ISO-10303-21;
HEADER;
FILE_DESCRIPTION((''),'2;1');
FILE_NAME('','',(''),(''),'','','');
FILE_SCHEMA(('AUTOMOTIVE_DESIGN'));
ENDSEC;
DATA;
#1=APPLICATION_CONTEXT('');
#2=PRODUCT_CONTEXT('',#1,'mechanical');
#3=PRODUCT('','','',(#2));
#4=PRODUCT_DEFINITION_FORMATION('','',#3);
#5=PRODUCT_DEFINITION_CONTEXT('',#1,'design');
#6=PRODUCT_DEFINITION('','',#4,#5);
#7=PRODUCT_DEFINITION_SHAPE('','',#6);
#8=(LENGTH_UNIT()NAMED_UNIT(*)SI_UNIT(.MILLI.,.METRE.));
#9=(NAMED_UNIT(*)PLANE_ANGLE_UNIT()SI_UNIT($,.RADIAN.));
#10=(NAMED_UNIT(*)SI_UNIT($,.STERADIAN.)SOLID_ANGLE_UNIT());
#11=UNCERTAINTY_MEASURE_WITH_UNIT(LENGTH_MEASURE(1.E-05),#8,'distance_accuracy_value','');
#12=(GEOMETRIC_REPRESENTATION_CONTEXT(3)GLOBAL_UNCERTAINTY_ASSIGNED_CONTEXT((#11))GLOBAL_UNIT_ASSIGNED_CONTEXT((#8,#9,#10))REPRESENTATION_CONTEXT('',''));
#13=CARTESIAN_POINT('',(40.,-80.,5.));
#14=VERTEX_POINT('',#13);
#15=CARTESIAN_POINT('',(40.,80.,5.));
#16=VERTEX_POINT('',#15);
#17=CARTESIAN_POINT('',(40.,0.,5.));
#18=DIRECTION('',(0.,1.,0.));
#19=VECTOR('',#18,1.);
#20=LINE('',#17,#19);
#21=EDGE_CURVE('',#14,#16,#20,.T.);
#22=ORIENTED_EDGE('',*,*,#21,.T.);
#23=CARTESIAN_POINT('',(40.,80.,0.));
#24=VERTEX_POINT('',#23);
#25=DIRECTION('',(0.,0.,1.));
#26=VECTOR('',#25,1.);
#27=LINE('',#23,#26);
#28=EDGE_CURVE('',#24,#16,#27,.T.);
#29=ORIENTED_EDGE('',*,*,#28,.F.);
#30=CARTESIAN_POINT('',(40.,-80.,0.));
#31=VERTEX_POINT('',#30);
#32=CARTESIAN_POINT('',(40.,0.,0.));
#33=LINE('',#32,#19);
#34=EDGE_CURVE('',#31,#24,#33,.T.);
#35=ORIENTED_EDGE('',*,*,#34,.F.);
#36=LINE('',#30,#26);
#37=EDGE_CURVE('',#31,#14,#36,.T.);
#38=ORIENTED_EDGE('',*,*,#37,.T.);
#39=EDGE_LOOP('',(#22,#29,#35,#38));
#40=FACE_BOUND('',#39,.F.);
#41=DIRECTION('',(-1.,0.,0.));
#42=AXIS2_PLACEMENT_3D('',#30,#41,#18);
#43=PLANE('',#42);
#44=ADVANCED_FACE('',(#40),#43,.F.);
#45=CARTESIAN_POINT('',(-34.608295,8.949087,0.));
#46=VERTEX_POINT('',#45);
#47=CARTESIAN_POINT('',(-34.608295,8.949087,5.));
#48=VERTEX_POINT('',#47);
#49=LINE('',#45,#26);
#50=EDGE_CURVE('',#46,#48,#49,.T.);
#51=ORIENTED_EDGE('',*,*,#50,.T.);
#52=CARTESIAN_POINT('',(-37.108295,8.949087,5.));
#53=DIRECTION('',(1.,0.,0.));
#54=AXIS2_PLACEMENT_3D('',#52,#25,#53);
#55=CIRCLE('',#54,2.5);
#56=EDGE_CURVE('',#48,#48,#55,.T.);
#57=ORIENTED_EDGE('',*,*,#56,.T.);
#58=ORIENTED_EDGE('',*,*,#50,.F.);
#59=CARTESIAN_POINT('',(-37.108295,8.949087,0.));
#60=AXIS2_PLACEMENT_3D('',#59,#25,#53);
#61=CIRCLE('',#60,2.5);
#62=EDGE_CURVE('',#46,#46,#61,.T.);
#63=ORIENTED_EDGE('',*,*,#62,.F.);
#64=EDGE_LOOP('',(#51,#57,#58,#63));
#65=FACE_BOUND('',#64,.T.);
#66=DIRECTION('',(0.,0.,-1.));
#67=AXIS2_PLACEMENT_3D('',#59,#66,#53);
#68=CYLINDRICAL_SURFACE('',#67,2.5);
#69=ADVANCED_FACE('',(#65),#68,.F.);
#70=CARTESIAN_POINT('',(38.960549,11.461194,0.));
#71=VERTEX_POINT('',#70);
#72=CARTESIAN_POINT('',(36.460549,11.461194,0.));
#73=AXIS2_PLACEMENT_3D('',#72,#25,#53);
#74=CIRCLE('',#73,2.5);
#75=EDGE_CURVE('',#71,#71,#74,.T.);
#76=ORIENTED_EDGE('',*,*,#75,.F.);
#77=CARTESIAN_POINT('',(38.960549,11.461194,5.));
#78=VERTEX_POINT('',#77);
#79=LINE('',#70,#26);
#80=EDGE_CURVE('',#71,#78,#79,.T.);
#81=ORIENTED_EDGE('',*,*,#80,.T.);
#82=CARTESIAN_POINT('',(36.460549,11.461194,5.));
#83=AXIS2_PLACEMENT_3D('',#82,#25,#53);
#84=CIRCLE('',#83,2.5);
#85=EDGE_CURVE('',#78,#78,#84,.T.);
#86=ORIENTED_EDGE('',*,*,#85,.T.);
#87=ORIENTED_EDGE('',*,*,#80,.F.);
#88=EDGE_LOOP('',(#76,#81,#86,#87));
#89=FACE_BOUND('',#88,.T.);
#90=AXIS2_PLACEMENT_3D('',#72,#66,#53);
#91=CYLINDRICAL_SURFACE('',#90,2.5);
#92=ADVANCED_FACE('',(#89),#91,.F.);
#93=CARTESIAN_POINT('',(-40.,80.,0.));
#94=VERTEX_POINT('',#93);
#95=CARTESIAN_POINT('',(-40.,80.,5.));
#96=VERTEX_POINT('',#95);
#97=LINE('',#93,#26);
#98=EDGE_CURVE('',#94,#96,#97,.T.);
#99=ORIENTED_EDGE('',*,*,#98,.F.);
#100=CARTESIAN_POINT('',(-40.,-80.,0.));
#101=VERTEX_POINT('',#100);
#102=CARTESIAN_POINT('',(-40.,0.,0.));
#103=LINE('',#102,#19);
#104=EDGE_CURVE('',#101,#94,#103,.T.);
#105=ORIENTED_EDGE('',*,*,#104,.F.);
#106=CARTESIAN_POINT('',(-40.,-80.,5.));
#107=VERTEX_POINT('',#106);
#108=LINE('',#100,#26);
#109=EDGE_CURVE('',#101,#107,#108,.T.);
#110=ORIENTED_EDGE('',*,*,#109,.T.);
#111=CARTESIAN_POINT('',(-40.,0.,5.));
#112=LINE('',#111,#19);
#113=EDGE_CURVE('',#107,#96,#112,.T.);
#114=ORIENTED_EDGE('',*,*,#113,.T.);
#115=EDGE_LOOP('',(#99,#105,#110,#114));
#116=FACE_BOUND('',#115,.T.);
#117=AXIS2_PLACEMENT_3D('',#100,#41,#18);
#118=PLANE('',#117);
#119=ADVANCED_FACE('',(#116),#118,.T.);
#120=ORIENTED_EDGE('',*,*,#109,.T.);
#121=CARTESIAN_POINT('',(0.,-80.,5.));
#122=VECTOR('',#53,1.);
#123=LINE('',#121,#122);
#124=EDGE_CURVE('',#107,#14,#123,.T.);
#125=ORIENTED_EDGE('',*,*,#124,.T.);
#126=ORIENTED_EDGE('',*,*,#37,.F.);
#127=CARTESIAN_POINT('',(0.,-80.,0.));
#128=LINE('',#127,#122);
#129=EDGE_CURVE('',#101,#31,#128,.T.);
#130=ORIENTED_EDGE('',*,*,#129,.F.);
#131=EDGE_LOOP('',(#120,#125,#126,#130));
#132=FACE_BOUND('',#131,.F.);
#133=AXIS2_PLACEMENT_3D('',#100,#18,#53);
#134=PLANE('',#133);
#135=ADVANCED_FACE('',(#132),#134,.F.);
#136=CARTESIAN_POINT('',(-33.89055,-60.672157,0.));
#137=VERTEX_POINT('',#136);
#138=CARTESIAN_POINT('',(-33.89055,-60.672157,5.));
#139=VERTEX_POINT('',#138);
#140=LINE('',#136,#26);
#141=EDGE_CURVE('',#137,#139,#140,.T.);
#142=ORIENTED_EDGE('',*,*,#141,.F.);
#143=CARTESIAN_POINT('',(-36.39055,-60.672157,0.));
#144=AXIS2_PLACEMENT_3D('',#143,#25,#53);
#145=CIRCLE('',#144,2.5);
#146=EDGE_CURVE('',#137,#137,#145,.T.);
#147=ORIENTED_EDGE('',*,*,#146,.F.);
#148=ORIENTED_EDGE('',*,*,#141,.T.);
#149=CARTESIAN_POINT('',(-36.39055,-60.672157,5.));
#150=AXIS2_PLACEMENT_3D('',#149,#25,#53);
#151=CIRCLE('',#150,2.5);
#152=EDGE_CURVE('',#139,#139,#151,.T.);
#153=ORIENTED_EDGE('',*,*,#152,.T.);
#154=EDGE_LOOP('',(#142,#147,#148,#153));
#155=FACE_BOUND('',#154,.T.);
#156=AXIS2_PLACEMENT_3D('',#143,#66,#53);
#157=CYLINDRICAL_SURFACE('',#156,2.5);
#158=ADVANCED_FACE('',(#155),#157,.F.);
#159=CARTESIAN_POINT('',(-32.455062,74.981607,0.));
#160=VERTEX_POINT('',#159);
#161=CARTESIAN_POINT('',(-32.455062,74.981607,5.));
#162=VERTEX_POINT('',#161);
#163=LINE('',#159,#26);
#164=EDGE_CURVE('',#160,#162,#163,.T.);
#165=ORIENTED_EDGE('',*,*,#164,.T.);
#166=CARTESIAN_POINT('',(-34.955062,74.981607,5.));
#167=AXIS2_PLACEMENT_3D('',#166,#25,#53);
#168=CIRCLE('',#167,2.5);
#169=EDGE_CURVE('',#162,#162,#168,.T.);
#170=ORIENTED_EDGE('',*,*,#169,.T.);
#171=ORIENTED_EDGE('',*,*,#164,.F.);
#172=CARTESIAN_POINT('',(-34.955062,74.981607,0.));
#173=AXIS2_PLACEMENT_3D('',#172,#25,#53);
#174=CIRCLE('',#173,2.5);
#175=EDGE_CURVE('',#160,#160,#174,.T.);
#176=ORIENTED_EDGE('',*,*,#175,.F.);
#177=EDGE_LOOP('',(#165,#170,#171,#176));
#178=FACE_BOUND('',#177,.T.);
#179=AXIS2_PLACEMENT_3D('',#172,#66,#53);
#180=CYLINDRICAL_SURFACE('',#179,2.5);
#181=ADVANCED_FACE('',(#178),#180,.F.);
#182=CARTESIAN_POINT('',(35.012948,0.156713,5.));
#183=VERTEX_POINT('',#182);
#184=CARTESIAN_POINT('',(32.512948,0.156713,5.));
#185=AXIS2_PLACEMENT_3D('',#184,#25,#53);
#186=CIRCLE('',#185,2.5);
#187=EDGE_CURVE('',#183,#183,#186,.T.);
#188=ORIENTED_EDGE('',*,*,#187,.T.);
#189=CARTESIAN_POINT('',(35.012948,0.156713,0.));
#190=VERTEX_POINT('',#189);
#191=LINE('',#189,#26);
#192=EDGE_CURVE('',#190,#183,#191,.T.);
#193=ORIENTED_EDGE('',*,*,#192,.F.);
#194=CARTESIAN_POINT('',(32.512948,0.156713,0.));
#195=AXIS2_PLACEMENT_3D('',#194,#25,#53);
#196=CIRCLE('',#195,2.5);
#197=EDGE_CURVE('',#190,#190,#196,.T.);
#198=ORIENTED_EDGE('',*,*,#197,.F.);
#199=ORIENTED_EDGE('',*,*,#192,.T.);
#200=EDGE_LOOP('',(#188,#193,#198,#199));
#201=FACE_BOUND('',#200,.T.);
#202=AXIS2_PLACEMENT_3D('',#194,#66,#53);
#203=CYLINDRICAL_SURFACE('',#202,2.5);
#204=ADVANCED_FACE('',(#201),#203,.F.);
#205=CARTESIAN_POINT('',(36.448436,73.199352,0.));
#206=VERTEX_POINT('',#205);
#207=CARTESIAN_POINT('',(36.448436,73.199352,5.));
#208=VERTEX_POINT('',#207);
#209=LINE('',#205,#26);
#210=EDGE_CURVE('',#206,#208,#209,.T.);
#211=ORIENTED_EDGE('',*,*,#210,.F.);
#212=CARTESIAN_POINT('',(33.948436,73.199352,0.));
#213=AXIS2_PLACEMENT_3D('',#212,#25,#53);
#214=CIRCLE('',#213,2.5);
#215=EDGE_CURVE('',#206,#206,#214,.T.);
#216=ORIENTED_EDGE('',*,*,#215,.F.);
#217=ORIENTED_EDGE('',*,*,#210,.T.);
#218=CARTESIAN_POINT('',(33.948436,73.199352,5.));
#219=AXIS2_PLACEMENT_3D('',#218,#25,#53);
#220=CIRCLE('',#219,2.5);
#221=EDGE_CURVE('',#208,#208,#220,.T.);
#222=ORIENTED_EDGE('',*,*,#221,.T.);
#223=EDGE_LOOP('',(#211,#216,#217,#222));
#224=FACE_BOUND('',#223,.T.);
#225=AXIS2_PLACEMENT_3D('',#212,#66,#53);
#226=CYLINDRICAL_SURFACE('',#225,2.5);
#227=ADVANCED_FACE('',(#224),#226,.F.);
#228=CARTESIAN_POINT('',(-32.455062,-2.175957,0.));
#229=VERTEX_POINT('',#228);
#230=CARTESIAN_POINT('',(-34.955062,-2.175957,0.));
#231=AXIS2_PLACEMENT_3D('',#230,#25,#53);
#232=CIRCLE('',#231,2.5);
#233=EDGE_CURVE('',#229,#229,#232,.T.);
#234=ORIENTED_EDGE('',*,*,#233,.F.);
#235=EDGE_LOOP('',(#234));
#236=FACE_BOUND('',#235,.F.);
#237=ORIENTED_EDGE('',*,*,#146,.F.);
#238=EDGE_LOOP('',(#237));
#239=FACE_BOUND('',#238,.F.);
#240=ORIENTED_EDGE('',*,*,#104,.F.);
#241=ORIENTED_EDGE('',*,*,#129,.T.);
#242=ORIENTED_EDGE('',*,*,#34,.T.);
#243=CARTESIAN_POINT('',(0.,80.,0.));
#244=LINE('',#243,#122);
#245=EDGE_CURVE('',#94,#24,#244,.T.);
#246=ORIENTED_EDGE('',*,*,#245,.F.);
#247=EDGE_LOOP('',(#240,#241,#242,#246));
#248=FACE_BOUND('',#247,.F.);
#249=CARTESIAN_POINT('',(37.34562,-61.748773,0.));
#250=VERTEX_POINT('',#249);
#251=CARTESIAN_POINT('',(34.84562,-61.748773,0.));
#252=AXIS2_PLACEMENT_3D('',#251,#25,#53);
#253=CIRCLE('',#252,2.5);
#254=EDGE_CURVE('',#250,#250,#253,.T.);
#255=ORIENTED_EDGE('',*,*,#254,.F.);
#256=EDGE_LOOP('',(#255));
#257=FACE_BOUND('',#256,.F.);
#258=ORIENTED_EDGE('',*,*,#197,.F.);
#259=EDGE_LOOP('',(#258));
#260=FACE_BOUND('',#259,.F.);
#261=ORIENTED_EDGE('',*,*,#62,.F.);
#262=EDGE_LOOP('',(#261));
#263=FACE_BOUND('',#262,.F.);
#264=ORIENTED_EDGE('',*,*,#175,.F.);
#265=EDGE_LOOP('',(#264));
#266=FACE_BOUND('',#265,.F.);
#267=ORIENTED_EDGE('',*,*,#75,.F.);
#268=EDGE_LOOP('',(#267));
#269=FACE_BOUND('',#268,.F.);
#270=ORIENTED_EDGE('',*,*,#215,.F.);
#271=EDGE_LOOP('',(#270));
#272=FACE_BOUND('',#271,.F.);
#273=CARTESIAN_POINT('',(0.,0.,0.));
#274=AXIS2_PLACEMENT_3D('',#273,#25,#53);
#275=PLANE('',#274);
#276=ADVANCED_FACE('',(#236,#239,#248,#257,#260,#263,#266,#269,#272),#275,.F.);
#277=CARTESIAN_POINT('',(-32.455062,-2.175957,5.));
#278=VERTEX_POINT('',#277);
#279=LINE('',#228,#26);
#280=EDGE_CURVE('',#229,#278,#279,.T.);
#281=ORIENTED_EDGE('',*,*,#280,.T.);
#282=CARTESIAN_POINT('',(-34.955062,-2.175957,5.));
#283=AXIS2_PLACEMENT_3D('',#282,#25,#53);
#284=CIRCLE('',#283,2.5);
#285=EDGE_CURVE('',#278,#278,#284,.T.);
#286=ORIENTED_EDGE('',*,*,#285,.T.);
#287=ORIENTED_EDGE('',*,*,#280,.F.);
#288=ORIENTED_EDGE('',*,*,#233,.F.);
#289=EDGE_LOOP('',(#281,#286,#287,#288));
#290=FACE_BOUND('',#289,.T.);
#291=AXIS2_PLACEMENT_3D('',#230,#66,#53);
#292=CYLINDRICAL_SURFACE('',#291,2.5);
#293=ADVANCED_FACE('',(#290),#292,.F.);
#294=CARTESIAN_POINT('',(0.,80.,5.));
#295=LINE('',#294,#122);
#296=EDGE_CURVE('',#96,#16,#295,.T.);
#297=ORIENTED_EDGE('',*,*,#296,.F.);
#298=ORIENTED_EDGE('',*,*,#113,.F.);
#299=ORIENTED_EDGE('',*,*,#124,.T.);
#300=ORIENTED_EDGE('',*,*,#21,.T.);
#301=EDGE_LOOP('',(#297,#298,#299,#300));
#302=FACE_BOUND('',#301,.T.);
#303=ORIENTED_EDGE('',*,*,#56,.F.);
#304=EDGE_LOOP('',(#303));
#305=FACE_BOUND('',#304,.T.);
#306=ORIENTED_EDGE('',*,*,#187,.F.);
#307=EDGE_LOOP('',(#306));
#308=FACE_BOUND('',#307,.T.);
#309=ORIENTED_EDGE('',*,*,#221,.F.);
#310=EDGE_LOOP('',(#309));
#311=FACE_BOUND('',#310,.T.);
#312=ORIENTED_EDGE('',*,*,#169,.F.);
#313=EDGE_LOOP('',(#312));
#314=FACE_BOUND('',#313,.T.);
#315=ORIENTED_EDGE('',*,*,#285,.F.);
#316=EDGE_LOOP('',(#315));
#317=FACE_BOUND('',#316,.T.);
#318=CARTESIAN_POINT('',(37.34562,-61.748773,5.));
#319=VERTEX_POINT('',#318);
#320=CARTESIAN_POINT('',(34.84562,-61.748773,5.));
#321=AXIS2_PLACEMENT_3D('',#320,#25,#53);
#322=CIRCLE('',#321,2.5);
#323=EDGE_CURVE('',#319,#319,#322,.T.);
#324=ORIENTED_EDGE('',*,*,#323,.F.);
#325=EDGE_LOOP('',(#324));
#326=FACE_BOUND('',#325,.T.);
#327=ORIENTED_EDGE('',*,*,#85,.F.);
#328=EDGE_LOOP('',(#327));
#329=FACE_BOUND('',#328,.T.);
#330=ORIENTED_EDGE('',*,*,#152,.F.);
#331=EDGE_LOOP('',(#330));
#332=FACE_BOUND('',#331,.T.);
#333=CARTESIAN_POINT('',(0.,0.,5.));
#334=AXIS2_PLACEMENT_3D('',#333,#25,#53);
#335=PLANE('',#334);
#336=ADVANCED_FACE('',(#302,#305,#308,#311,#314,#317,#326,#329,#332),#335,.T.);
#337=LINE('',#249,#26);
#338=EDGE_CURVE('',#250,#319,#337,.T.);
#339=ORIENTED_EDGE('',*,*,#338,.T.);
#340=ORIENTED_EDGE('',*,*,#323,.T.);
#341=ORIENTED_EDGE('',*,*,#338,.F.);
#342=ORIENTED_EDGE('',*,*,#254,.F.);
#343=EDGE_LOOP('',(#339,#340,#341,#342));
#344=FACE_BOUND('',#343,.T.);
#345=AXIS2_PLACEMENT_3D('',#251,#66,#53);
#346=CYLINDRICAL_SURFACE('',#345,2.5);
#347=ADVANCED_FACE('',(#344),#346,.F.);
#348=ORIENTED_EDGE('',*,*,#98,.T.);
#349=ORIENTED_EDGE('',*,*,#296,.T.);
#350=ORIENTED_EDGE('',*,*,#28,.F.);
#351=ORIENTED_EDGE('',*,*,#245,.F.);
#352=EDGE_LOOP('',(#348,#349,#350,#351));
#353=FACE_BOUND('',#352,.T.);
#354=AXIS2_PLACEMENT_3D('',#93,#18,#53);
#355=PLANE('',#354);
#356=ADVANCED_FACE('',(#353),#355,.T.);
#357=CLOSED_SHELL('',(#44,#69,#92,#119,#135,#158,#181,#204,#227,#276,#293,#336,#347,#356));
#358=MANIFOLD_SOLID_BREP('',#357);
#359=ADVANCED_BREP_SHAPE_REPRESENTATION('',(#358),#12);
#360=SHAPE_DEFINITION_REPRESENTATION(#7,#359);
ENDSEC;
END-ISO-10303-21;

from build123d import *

# Parameters (mm, degrees)
F0_W     = 80
F0_H     = 160
F0_R     = 2.5
F1_DEPTH = 5


with BuildPart() as f1:
    # F0 (on Top) → F1 (new body)
    with BuildSketch(Plane.XY):
        Rectangle(F0_W, F0_H)
        with Locations((-36.39055, -60.672157)):
            Circle(F0_R, mode=Mode.SUBTRACT)
        with Locations((34.84562, -61.748773)):
            Circle(F0_R, mode=Mode.SUBTRACT)
        with Locations((-34.955062, -2.175957)):
            Circle(F0_R, mode=Mode.SUBTRACT)
        with Locations((-37.108295, 8.949087)):
            Circle(F0_R, mode=Mode.SUBTRACT)
        with Locations((32.512948, 0.156713)):
            Circle(F0_R, mode=Mode.SUBTRACT)
        with Locations((36.460549, 11.461194)):
            Circle(F0_R, mode=Mode.SUBTRACT)
        with Locations((-34.955062, 74.981607)):
            Circle(F0_R, mode=Mode.SUBTRACT)
        with Locations((33.948436, 73.199352)):
            Circle(F0_R, mode=Mode.SUBTRACT)
    extrude(amount=F1_DEPTH)


solid = f1.part
